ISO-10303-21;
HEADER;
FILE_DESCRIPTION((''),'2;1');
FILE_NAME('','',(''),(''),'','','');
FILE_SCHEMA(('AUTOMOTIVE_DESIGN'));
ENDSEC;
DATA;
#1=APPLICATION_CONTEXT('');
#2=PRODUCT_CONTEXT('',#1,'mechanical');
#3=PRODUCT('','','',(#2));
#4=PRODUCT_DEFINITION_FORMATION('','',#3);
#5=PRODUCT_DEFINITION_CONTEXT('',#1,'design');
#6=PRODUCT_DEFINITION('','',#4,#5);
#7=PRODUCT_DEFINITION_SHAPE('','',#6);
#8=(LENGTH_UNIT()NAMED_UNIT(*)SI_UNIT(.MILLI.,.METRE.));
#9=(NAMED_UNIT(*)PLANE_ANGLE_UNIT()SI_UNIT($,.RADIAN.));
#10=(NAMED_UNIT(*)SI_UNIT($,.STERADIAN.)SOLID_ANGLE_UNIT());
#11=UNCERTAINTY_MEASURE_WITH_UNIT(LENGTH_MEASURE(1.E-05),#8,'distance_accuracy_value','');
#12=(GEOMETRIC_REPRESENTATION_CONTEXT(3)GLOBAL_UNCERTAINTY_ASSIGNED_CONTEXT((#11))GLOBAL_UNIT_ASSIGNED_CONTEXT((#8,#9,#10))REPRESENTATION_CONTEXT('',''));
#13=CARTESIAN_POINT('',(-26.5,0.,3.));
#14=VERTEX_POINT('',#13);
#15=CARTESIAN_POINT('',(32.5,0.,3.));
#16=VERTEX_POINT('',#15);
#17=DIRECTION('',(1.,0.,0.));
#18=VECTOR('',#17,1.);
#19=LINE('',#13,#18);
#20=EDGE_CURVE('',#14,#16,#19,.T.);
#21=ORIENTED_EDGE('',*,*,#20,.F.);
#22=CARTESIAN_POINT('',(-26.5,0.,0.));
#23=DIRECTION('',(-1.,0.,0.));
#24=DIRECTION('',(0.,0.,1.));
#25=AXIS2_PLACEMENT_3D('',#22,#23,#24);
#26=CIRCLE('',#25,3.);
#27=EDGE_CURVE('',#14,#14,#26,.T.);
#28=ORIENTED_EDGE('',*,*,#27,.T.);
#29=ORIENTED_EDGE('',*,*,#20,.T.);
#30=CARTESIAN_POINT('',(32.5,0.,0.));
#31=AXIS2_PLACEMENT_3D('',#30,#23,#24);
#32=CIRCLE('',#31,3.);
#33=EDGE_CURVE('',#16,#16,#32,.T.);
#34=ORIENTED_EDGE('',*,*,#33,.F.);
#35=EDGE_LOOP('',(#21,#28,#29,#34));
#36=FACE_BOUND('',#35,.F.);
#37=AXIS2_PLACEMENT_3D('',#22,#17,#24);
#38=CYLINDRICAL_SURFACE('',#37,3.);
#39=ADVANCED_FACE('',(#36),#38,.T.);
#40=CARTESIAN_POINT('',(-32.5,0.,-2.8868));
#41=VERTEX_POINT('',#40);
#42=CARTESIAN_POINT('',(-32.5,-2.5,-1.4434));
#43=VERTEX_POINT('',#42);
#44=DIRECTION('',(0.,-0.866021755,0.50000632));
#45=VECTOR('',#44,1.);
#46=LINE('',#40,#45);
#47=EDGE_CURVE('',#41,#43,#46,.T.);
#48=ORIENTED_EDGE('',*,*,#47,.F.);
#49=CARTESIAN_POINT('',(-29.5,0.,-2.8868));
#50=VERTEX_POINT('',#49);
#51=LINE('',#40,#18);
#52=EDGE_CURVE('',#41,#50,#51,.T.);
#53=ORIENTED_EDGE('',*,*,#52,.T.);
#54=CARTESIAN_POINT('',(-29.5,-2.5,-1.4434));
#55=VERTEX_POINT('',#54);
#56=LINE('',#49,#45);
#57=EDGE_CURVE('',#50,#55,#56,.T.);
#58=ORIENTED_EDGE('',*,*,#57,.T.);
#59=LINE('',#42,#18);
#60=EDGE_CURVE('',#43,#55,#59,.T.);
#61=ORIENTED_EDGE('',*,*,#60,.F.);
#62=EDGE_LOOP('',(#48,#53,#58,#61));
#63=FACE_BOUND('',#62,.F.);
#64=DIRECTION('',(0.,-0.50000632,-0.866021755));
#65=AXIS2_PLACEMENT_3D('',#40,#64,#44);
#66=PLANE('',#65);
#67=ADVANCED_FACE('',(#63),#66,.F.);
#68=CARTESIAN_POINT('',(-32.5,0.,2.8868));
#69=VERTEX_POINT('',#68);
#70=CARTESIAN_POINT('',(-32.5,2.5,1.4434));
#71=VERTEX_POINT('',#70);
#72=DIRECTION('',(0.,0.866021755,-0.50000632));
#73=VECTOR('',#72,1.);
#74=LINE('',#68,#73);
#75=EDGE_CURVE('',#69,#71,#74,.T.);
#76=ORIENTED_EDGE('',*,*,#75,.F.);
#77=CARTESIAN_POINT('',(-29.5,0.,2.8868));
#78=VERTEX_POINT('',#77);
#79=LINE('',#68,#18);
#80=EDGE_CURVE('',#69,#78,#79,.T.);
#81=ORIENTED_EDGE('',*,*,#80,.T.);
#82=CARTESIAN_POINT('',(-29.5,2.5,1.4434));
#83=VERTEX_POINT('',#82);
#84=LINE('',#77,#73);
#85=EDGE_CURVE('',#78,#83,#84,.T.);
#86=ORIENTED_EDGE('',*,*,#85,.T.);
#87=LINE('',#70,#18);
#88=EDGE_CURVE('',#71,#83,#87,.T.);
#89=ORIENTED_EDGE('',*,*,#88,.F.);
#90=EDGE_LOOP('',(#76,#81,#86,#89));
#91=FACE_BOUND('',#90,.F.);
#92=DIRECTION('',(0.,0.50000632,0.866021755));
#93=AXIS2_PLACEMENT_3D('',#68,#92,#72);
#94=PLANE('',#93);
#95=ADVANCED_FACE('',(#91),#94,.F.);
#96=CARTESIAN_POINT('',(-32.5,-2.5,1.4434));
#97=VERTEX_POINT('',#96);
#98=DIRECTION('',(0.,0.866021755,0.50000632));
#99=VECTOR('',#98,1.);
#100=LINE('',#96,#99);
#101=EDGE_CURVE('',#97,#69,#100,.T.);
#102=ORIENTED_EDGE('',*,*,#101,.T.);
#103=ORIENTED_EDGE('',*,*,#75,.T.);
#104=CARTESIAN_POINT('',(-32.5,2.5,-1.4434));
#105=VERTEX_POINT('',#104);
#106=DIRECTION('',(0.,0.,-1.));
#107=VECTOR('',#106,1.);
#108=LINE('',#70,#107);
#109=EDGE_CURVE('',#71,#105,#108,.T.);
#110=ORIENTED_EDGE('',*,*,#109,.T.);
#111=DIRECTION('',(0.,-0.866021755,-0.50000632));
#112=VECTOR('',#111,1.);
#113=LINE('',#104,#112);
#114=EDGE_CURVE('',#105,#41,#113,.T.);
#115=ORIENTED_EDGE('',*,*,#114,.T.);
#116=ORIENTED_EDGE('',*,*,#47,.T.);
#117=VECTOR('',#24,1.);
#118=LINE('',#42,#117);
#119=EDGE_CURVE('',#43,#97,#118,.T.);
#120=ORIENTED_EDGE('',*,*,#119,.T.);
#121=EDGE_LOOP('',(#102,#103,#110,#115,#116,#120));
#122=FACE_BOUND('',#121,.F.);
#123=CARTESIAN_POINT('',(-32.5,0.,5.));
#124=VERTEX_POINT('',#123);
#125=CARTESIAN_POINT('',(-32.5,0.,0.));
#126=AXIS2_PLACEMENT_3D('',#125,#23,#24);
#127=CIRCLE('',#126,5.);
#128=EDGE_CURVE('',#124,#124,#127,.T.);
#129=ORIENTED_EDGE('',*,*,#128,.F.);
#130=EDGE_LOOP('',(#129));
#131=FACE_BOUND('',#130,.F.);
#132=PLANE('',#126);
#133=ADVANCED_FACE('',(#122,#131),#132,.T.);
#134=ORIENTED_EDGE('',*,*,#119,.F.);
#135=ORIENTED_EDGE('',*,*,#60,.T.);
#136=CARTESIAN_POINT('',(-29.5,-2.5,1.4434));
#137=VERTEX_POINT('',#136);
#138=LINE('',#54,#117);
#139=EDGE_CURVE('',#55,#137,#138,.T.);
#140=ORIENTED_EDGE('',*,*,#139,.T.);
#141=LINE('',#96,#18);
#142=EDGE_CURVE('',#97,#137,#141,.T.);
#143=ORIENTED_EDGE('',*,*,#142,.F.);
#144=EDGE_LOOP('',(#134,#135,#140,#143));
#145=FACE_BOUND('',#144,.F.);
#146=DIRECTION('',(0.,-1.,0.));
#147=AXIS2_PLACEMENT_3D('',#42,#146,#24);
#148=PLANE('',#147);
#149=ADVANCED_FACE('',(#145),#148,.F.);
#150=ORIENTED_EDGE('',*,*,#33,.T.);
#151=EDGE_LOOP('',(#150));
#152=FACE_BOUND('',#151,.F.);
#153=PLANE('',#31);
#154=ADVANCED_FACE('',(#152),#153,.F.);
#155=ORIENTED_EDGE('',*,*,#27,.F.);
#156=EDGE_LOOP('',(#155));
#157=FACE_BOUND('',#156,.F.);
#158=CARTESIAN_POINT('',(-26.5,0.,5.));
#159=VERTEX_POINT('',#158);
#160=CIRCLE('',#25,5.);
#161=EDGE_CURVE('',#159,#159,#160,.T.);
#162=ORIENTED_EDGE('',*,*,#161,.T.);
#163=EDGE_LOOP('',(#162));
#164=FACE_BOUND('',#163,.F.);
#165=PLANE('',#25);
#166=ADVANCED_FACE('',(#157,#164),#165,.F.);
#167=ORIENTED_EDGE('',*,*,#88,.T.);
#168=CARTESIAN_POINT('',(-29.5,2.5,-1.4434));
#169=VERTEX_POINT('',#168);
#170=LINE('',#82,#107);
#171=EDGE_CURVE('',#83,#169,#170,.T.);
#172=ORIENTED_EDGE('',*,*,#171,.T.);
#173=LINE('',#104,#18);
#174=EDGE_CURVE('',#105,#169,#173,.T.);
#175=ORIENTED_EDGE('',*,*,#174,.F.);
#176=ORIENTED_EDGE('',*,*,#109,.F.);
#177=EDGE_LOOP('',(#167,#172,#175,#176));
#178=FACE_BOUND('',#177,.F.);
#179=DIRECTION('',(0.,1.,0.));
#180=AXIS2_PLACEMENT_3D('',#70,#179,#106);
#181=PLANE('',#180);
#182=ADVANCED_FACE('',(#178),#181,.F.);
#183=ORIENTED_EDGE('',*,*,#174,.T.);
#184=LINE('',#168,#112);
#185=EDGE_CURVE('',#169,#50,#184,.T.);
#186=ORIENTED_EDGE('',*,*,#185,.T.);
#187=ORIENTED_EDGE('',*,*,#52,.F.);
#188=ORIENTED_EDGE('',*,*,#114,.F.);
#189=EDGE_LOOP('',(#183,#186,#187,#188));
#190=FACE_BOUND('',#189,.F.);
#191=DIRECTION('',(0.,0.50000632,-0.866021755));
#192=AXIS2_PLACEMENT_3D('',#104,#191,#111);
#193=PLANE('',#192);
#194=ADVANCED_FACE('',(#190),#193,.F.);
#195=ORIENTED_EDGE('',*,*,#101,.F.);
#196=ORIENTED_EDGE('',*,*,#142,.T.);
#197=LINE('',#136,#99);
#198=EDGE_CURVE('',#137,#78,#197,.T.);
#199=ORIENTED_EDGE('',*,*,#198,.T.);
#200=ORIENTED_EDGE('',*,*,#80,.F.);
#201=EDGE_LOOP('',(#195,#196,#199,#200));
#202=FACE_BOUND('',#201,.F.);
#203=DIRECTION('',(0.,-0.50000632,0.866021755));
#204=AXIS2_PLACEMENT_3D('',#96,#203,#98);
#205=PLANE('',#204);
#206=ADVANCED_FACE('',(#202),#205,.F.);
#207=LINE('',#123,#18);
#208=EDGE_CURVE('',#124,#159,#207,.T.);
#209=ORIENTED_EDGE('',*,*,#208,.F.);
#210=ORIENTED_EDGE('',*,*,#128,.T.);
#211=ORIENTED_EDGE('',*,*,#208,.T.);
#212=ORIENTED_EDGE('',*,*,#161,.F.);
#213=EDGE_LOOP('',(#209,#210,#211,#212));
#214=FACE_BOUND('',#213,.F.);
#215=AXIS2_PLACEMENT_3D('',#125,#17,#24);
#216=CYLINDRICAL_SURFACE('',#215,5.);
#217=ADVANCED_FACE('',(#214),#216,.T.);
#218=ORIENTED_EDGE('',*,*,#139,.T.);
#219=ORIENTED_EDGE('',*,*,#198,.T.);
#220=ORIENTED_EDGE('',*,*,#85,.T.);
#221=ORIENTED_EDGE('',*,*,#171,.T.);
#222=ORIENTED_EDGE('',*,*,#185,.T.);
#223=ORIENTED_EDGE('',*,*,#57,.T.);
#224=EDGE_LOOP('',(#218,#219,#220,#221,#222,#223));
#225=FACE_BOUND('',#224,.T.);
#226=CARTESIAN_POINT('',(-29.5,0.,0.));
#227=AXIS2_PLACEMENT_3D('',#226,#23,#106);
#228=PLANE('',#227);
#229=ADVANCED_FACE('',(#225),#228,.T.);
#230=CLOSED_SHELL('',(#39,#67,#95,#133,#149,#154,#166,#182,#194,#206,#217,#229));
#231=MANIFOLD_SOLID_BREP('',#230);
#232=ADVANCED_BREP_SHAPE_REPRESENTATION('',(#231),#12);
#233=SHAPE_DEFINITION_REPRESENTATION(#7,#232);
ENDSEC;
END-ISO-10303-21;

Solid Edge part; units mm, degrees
sketch "Sketch1" plane through (10.8674, 0, 10.8674) normal (0, -1, 0) x (1, 0, 0)
  line L0 (-43.3674, -10.8674) -> (-43.3674, -5.8674)
  line L1 (-43.3674, -5.8674) -> (-37.3674, -5.8674)
  line L2 (-37.3674, -5.8674) -> (-37.3674, -7.8674)
  line L3 (-37.3674, -7.8674) -> (21.6326, -7.8674)
  line L4 (21.6326, -7.8674) -> (21.6326, -10.8674)
  dimension "D1" = 6
  dimension "D2" = 59
revolve "RevolvedProtrusion1" add sketch "Sketch1" angle 360 about axis through (16.5, 0, 0) along (-1, 0, 0)
sketch "Sketch2" plane through (-32.5, 0, 0) normal (-1, 0, 0) x (0, 0, -1)
  line L0 (2.8868, 0) -> (1.4434, 2.5)
  line L1 (1.4434, 2.5) -> (-1.4434, 2.5)
  line L2 (-1.4434, 2.5) -> (-2.8868, 0)
  line L3 (-2.8868, 0) -> (-1.4434, -2.5)
  line L4 (-1.4434, -2.5) -> (1.4434, -2.5)
  line L5 (1.4434, -2.5) -> (2.8868, 0)
  dimension "D1" = 5
extrude "Cutout1" cut sketch "Sketch2" against normal blind 3
cosmetic_thread "Gänga" size "M6" thread depth 4
properties material "Steel"
